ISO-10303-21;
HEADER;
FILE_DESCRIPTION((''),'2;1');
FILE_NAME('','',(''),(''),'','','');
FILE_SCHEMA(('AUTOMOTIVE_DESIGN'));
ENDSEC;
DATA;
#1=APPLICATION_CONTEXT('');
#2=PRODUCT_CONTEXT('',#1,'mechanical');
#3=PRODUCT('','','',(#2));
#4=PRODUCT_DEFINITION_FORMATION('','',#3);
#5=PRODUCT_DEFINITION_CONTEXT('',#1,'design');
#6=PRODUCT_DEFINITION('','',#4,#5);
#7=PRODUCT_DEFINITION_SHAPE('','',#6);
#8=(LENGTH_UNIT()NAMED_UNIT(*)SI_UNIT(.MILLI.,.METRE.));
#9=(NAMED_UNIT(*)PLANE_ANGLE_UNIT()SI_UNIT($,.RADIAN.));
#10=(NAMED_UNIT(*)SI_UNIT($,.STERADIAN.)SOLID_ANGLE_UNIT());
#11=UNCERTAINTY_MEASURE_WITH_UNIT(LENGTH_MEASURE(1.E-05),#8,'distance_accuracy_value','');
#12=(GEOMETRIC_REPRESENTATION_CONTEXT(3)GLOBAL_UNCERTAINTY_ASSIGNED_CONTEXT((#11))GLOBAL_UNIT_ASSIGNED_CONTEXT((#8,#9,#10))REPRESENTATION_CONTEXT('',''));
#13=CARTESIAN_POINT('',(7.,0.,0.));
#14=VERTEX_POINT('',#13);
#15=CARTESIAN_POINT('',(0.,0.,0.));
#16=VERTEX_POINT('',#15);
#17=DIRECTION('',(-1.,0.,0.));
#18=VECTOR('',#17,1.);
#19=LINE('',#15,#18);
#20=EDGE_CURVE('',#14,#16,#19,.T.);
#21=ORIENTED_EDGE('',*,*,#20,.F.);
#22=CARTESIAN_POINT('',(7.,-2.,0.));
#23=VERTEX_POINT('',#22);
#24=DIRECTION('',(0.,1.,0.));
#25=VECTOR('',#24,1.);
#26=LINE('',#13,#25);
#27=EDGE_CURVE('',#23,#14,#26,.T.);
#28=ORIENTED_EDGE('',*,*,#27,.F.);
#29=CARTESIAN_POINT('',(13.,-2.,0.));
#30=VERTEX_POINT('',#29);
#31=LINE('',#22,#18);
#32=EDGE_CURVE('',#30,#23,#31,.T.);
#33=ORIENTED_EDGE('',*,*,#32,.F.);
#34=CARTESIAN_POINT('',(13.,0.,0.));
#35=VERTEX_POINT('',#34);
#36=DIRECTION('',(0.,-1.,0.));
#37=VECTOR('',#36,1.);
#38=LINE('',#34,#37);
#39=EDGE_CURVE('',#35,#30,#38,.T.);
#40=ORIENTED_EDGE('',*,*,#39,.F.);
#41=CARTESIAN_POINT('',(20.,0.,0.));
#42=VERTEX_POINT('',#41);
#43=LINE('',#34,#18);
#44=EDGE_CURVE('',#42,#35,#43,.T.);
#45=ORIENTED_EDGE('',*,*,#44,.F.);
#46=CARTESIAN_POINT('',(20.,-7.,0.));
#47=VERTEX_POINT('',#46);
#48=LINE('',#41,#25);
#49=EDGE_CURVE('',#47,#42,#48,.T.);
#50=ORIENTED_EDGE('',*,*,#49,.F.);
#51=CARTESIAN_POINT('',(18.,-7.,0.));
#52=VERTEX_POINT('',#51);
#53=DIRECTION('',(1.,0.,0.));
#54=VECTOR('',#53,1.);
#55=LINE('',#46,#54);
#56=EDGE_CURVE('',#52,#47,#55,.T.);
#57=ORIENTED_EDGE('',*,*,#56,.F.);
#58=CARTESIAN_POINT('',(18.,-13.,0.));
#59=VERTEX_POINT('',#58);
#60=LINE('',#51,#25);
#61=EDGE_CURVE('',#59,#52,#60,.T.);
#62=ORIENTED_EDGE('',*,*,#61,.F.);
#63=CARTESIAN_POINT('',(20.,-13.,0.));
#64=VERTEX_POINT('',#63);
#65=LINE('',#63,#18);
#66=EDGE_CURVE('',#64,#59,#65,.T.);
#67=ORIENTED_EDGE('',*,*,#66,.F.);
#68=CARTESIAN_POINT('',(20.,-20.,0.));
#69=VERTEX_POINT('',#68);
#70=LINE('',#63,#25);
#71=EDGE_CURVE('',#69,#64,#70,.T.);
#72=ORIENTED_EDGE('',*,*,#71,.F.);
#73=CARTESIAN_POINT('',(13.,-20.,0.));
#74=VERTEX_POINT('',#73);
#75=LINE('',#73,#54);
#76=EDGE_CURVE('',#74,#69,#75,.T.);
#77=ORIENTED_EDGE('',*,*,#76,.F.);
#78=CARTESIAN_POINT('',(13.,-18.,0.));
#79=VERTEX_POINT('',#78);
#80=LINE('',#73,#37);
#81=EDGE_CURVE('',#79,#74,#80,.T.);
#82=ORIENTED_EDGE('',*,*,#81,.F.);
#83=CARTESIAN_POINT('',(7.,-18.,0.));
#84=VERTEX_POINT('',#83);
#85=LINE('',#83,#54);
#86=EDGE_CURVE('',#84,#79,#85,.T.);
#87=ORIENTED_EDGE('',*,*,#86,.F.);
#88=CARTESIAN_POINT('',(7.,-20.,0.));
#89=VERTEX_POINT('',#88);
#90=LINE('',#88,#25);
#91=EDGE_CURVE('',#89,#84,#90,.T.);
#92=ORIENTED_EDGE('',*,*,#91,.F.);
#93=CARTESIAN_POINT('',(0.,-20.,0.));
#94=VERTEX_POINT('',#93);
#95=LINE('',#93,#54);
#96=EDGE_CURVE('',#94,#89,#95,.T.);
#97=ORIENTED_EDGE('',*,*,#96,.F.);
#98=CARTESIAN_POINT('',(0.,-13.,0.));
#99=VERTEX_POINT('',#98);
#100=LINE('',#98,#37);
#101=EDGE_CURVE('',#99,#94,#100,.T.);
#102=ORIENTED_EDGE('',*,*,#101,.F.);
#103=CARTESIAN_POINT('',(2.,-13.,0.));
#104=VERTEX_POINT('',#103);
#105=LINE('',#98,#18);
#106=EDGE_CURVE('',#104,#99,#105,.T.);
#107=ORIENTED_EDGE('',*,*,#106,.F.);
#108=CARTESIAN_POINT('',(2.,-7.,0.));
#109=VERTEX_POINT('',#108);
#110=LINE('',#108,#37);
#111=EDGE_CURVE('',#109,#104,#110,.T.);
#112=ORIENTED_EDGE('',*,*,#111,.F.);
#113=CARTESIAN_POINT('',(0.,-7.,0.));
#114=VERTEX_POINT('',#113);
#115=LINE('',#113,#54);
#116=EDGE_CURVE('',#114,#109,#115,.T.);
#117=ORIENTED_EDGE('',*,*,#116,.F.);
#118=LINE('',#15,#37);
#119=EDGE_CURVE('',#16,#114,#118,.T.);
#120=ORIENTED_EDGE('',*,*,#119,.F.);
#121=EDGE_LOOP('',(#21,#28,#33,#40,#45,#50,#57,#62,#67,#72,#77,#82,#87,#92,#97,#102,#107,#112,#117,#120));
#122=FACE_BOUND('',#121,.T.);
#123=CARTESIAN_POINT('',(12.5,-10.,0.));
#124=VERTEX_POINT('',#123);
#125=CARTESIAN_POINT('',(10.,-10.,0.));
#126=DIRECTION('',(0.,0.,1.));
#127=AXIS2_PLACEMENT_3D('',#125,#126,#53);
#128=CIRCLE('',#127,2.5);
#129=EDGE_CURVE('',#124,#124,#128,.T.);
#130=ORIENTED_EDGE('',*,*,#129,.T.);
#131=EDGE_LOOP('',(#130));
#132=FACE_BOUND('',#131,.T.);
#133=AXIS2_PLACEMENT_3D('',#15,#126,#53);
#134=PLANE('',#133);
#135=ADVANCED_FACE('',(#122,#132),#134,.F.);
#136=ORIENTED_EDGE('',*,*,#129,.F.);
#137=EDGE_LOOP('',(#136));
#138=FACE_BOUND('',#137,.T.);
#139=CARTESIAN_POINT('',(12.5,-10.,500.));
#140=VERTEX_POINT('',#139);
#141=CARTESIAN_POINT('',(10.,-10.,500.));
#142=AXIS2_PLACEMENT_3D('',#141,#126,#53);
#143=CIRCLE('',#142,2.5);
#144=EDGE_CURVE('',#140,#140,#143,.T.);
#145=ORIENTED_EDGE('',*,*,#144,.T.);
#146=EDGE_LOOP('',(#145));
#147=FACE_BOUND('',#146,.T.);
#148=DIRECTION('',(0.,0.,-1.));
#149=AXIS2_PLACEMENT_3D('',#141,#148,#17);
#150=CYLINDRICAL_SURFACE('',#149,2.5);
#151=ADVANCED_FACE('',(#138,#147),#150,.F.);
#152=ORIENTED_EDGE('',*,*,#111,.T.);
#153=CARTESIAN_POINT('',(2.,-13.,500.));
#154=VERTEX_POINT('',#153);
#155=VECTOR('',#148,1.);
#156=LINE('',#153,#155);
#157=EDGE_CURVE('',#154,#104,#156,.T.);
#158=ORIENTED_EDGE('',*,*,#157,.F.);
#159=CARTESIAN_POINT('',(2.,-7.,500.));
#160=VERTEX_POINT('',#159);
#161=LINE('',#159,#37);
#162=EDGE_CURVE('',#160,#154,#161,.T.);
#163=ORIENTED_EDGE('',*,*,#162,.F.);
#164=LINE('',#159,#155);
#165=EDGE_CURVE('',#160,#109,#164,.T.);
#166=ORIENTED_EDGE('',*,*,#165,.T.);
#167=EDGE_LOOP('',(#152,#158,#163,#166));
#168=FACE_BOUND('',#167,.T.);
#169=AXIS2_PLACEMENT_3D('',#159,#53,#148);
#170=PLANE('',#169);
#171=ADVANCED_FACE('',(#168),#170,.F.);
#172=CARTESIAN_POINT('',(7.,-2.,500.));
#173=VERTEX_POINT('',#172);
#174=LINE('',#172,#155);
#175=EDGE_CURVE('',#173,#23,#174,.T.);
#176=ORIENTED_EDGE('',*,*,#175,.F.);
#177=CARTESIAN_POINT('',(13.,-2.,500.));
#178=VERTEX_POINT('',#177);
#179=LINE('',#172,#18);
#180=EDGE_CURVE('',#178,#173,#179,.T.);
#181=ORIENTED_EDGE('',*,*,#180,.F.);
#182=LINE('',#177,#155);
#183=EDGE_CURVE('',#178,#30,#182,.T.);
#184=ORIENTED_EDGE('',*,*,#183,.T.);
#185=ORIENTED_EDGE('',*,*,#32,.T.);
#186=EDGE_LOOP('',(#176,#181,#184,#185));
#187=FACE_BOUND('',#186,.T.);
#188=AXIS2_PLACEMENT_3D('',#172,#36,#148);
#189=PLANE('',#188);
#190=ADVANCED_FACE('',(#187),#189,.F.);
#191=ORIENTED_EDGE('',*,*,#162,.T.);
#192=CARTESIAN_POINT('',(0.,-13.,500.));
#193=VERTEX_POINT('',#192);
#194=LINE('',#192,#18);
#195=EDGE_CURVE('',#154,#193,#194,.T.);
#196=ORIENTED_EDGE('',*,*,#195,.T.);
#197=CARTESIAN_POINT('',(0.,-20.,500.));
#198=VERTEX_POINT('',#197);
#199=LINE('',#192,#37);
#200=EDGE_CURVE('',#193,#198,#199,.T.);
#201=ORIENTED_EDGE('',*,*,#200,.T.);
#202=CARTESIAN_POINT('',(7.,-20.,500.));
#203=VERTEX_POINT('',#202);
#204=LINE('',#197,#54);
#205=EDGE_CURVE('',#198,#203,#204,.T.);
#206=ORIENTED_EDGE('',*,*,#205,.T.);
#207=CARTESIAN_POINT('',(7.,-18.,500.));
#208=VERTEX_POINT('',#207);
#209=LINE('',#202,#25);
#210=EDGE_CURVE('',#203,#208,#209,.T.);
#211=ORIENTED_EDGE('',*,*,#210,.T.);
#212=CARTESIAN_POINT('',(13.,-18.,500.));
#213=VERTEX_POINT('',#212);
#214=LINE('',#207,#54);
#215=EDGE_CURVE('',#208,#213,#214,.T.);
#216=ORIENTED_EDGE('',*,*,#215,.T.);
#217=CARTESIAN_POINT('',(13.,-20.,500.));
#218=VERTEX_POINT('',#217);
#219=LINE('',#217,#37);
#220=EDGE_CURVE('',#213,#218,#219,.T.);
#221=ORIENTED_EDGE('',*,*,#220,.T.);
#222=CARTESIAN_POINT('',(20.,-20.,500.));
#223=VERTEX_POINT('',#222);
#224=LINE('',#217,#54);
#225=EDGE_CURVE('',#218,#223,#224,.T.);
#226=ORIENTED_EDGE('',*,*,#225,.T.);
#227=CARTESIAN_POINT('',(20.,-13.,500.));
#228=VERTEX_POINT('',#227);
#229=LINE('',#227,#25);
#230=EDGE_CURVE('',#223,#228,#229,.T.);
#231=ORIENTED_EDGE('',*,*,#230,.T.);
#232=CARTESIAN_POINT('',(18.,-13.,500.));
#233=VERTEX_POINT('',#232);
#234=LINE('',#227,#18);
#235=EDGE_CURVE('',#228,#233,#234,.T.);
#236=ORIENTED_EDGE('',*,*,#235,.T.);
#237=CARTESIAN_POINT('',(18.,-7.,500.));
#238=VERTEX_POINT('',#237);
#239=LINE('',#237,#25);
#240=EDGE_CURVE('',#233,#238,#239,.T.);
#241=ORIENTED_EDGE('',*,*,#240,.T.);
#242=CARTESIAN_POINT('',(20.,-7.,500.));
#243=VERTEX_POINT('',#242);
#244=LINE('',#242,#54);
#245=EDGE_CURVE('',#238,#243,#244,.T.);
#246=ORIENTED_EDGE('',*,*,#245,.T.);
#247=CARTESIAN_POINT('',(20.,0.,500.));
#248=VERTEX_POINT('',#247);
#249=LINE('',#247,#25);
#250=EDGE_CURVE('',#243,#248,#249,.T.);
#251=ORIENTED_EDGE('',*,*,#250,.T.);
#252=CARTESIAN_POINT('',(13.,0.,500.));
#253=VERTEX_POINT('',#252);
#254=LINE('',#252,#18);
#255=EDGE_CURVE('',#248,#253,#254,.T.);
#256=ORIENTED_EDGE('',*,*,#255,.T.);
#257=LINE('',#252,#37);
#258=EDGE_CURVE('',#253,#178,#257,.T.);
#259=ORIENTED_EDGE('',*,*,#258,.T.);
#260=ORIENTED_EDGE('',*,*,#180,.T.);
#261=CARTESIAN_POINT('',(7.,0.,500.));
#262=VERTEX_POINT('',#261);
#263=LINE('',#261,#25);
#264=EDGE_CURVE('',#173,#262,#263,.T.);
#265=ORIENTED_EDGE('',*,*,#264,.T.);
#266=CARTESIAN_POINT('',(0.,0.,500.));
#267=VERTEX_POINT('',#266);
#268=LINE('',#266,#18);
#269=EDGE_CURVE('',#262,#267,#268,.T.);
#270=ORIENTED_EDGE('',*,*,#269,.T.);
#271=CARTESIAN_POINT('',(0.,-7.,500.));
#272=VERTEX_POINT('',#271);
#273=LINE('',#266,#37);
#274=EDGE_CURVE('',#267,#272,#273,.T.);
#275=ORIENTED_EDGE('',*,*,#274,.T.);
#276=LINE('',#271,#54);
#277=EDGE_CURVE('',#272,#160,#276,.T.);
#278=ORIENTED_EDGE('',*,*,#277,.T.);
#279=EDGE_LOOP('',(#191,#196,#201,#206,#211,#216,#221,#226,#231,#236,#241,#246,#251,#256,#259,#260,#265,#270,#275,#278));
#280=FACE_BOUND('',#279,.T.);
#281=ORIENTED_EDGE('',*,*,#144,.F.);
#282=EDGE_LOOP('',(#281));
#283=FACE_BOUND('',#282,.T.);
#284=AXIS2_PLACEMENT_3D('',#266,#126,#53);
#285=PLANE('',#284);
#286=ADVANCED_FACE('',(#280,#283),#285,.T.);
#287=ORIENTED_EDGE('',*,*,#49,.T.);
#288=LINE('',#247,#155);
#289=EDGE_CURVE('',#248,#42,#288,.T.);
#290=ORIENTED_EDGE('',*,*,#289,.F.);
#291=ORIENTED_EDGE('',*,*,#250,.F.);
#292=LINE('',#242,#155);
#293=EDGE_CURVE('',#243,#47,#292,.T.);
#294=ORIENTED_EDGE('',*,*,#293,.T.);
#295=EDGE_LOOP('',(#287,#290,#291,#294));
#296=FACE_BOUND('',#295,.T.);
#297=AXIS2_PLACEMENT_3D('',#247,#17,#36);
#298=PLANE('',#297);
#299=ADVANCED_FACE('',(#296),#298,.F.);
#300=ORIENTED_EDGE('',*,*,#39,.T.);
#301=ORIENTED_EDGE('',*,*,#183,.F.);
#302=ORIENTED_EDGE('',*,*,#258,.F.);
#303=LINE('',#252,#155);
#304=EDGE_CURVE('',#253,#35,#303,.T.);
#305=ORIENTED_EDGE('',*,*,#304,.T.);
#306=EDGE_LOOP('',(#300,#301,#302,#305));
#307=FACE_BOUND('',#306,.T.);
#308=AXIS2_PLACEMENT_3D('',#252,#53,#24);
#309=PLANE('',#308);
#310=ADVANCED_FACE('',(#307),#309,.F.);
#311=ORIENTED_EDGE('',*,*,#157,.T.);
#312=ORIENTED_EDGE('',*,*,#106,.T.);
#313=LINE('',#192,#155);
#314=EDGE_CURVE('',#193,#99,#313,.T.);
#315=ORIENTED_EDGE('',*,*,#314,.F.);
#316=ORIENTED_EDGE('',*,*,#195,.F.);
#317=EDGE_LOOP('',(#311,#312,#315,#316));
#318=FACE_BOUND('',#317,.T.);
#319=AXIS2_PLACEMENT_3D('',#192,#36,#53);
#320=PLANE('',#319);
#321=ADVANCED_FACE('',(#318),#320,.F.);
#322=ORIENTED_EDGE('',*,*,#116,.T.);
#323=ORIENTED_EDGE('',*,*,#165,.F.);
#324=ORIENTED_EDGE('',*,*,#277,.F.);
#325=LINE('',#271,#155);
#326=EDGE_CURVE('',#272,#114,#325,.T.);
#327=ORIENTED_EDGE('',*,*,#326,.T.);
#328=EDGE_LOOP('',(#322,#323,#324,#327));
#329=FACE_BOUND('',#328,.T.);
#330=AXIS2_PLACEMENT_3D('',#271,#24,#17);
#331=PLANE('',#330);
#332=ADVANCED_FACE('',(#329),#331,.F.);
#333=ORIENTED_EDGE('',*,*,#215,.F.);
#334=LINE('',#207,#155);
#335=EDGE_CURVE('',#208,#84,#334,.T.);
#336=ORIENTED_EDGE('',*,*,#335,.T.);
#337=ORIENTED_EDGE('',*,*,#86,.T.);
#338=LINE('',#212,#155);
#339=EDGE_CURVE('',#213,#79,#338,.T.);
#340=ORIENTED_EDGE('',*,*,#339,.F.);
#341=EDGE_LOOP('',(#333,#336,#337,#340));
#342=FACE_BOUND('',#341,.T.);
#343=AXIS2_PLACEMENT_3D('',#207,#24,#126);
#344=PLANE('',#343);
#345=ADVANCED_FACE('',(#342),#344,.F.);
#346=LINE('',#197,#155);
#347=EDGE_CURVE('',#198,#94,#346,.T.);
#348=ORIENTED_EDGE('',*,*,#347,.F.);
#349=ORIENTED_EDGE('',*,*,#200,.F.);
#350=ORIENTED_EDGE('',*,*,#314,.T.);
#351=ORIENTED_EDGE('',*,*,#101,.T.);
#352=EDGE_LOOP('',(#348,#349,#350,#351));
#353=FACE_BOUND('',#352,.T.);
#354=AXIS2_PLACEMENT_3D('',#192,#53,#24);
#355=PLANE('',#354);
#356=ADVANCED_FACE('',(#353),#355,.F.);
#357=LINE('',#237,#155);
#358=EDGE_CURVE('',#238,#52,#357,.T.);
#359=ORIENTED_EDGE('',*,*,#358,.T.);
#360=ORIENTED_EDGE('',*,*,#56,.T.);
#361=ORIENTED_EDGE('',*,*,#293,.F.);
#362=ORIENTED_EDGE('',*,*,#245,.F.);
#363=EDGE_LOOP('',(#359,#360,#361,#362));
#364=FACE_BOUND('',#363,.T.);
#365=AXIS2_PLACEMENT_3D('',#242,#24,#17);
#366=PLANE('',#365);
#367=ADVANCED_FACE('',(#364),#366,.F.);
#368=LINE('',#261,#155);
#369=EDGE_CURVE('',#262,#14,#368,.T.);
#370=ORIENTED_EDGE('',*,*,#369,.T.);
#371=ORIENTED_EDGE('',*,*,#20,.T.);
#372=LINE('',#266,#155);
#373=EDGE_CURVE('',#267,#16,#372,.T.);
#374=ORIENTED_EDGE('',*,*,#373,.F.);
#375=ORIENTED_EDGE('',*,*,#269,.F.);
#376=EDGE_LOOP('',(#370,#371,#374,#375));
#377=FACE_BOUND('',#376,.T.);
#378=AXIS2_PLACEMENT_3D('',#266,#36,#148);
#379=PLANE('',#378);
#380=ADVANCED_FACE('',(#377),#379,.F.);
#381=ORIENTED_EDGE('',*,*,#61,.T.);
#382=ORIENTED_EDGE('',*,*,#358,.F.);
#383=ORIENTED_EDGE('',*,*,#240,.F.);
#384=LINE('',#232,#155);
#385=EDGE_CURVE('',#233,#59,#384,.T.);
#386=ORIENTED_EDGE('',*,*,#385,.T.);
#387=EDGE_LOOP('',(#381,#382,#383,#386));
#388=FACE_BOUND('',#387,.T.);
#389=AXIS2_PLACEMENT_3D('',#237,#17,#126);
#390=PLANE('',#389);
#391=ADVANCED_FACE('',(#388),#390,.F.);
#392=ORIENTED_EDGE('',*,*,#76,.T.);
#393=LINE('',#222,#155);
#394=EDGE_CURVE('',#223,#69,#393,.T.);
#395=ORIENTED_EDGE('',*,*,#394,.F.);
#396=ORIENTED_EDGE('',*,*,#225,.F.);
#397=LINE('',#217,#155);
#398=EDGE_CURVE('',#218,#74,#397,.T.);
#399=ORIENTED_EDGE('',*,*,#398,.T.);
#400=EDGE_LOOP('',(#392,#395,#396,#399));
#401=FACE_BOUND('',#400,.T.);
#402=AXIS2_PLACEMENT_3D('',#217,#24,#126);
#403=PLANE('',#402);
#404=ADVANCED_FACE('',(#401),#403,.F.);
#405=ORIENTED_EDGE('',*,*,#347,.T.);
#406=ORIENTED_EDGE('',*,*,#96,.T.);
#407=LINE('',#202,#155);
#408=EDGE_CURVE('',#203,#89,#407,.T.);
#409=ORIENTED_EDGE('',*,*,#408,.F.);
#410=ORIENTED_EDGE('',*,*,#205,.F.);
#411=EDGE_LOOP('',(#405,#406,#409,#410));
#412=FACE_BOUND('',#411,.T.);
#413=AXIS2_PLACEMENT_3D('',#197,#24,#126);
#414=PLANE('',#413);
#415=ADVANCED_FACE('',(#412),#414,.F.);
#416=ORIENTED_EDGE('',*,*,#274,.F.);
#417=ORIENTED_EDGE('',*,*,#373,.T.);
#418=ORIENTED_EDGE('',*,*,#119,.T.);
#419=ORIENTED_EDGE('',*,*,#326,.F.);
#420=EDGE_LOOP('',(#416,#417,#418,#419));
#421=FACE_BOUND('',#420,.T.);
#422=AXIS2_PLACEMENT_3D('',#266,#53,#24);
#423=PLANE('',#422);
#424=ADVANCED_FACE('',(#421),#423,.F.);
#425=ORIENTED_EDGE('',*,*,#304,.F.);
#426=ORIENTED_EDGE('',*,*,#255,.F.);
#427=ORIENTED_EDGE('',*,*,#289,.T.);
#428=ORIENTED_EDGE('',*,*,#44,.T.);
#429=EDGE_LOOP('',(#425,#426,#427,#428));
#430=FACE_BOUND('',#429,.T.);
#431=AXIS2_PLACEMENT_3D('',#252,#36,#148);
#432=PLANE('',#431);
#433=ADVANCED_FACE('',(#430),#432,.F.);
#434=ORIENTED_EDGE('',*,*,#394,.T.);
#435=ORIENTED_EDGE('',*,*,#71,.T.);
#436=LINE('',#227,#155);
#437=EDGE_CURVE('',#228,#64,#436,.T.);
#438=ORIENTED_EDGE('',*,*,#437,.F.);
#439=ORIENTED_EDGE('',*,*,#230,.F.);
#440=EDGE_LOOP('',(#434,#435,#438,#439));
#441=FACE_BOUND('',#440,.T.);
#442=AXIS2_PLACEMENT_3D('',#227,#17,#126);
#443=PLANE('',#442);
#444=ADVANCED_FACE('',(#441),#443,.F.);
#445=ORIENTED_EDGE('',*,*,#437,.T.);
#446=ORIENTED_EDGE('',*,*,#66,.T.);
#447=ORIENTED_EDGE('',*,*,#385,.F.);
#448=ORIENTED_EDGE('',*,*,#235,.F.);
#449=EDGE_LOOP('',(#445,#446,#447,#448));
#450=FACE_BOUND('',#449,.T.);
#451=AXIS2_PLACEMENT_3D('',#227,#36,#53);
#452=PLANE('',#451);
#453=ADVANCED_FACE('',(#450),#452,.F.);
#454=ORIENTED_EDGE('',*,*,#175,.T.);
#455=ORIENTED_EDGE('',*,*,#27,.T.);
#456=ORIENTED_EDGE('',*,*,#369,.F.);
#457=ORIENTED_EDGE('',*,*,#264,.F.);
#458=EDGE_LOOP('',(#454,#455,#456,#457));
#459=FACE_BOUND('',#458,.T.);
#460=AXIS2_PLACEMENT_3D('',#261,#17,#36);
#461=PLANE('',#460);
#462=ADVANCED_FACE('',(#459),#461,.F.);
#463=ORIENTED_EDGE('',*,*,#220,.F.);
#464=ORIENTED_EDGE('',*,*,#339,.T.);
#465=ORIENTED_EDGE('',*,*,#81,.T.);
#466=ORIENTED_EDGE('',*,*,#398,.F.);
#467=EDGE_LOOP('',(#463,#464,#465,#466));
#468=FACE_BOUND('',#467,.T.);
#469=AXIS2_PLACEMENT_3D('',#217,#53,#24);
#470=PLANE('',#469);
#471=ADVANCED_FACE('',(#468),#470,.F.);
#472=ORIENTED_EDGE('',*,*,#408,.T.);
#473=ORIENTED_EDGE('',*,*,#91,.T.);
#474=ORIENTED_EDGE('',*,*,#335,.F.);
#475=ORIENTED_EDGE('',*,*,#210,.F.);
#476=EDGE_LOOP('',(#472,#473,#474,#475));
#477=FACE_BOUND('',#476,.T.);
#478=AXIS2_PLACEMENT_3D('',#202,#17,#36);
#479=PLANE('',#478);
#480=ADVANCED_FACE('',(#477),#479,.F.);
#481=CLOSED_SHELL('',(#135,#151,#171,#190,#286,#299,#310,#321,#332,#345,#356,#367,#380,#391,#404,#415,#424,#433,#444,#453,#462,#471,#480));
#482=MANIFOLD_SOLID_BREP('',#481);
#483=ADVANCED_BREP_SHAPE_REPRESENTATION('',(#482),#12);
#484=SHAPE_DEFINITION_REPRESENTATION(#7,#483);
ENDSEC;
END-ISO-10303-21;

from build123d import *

# Parameters (mm, degrees)
SKETCH_1_R      = 2.5
EXTRUDE_1_DEPTH = 500


with BuildPart() as part:
    # 草图1 → 凸台-拉伸1 (new body)
    with BuildSketch(Plane.XY):
        Polygon((0, -13), (0, -20), (7, -20), (7, -18), (13, -18), (13, -20), (20, -20), (20, -13), (18, -13), (18, -7), (20, -7), (20, 0), (13, 0), (13, -2), (7, -2), (7, 0), (0, 0), (0, -7), (2, -7), (2, -13), align=None)
        with Locations((10, -10)):
            Circle(SKETCH_1_R, mode=Mode.SUBTRACT)
    extrude(amount=EXTRUDE_1_DEPTH)


solid = part.part
